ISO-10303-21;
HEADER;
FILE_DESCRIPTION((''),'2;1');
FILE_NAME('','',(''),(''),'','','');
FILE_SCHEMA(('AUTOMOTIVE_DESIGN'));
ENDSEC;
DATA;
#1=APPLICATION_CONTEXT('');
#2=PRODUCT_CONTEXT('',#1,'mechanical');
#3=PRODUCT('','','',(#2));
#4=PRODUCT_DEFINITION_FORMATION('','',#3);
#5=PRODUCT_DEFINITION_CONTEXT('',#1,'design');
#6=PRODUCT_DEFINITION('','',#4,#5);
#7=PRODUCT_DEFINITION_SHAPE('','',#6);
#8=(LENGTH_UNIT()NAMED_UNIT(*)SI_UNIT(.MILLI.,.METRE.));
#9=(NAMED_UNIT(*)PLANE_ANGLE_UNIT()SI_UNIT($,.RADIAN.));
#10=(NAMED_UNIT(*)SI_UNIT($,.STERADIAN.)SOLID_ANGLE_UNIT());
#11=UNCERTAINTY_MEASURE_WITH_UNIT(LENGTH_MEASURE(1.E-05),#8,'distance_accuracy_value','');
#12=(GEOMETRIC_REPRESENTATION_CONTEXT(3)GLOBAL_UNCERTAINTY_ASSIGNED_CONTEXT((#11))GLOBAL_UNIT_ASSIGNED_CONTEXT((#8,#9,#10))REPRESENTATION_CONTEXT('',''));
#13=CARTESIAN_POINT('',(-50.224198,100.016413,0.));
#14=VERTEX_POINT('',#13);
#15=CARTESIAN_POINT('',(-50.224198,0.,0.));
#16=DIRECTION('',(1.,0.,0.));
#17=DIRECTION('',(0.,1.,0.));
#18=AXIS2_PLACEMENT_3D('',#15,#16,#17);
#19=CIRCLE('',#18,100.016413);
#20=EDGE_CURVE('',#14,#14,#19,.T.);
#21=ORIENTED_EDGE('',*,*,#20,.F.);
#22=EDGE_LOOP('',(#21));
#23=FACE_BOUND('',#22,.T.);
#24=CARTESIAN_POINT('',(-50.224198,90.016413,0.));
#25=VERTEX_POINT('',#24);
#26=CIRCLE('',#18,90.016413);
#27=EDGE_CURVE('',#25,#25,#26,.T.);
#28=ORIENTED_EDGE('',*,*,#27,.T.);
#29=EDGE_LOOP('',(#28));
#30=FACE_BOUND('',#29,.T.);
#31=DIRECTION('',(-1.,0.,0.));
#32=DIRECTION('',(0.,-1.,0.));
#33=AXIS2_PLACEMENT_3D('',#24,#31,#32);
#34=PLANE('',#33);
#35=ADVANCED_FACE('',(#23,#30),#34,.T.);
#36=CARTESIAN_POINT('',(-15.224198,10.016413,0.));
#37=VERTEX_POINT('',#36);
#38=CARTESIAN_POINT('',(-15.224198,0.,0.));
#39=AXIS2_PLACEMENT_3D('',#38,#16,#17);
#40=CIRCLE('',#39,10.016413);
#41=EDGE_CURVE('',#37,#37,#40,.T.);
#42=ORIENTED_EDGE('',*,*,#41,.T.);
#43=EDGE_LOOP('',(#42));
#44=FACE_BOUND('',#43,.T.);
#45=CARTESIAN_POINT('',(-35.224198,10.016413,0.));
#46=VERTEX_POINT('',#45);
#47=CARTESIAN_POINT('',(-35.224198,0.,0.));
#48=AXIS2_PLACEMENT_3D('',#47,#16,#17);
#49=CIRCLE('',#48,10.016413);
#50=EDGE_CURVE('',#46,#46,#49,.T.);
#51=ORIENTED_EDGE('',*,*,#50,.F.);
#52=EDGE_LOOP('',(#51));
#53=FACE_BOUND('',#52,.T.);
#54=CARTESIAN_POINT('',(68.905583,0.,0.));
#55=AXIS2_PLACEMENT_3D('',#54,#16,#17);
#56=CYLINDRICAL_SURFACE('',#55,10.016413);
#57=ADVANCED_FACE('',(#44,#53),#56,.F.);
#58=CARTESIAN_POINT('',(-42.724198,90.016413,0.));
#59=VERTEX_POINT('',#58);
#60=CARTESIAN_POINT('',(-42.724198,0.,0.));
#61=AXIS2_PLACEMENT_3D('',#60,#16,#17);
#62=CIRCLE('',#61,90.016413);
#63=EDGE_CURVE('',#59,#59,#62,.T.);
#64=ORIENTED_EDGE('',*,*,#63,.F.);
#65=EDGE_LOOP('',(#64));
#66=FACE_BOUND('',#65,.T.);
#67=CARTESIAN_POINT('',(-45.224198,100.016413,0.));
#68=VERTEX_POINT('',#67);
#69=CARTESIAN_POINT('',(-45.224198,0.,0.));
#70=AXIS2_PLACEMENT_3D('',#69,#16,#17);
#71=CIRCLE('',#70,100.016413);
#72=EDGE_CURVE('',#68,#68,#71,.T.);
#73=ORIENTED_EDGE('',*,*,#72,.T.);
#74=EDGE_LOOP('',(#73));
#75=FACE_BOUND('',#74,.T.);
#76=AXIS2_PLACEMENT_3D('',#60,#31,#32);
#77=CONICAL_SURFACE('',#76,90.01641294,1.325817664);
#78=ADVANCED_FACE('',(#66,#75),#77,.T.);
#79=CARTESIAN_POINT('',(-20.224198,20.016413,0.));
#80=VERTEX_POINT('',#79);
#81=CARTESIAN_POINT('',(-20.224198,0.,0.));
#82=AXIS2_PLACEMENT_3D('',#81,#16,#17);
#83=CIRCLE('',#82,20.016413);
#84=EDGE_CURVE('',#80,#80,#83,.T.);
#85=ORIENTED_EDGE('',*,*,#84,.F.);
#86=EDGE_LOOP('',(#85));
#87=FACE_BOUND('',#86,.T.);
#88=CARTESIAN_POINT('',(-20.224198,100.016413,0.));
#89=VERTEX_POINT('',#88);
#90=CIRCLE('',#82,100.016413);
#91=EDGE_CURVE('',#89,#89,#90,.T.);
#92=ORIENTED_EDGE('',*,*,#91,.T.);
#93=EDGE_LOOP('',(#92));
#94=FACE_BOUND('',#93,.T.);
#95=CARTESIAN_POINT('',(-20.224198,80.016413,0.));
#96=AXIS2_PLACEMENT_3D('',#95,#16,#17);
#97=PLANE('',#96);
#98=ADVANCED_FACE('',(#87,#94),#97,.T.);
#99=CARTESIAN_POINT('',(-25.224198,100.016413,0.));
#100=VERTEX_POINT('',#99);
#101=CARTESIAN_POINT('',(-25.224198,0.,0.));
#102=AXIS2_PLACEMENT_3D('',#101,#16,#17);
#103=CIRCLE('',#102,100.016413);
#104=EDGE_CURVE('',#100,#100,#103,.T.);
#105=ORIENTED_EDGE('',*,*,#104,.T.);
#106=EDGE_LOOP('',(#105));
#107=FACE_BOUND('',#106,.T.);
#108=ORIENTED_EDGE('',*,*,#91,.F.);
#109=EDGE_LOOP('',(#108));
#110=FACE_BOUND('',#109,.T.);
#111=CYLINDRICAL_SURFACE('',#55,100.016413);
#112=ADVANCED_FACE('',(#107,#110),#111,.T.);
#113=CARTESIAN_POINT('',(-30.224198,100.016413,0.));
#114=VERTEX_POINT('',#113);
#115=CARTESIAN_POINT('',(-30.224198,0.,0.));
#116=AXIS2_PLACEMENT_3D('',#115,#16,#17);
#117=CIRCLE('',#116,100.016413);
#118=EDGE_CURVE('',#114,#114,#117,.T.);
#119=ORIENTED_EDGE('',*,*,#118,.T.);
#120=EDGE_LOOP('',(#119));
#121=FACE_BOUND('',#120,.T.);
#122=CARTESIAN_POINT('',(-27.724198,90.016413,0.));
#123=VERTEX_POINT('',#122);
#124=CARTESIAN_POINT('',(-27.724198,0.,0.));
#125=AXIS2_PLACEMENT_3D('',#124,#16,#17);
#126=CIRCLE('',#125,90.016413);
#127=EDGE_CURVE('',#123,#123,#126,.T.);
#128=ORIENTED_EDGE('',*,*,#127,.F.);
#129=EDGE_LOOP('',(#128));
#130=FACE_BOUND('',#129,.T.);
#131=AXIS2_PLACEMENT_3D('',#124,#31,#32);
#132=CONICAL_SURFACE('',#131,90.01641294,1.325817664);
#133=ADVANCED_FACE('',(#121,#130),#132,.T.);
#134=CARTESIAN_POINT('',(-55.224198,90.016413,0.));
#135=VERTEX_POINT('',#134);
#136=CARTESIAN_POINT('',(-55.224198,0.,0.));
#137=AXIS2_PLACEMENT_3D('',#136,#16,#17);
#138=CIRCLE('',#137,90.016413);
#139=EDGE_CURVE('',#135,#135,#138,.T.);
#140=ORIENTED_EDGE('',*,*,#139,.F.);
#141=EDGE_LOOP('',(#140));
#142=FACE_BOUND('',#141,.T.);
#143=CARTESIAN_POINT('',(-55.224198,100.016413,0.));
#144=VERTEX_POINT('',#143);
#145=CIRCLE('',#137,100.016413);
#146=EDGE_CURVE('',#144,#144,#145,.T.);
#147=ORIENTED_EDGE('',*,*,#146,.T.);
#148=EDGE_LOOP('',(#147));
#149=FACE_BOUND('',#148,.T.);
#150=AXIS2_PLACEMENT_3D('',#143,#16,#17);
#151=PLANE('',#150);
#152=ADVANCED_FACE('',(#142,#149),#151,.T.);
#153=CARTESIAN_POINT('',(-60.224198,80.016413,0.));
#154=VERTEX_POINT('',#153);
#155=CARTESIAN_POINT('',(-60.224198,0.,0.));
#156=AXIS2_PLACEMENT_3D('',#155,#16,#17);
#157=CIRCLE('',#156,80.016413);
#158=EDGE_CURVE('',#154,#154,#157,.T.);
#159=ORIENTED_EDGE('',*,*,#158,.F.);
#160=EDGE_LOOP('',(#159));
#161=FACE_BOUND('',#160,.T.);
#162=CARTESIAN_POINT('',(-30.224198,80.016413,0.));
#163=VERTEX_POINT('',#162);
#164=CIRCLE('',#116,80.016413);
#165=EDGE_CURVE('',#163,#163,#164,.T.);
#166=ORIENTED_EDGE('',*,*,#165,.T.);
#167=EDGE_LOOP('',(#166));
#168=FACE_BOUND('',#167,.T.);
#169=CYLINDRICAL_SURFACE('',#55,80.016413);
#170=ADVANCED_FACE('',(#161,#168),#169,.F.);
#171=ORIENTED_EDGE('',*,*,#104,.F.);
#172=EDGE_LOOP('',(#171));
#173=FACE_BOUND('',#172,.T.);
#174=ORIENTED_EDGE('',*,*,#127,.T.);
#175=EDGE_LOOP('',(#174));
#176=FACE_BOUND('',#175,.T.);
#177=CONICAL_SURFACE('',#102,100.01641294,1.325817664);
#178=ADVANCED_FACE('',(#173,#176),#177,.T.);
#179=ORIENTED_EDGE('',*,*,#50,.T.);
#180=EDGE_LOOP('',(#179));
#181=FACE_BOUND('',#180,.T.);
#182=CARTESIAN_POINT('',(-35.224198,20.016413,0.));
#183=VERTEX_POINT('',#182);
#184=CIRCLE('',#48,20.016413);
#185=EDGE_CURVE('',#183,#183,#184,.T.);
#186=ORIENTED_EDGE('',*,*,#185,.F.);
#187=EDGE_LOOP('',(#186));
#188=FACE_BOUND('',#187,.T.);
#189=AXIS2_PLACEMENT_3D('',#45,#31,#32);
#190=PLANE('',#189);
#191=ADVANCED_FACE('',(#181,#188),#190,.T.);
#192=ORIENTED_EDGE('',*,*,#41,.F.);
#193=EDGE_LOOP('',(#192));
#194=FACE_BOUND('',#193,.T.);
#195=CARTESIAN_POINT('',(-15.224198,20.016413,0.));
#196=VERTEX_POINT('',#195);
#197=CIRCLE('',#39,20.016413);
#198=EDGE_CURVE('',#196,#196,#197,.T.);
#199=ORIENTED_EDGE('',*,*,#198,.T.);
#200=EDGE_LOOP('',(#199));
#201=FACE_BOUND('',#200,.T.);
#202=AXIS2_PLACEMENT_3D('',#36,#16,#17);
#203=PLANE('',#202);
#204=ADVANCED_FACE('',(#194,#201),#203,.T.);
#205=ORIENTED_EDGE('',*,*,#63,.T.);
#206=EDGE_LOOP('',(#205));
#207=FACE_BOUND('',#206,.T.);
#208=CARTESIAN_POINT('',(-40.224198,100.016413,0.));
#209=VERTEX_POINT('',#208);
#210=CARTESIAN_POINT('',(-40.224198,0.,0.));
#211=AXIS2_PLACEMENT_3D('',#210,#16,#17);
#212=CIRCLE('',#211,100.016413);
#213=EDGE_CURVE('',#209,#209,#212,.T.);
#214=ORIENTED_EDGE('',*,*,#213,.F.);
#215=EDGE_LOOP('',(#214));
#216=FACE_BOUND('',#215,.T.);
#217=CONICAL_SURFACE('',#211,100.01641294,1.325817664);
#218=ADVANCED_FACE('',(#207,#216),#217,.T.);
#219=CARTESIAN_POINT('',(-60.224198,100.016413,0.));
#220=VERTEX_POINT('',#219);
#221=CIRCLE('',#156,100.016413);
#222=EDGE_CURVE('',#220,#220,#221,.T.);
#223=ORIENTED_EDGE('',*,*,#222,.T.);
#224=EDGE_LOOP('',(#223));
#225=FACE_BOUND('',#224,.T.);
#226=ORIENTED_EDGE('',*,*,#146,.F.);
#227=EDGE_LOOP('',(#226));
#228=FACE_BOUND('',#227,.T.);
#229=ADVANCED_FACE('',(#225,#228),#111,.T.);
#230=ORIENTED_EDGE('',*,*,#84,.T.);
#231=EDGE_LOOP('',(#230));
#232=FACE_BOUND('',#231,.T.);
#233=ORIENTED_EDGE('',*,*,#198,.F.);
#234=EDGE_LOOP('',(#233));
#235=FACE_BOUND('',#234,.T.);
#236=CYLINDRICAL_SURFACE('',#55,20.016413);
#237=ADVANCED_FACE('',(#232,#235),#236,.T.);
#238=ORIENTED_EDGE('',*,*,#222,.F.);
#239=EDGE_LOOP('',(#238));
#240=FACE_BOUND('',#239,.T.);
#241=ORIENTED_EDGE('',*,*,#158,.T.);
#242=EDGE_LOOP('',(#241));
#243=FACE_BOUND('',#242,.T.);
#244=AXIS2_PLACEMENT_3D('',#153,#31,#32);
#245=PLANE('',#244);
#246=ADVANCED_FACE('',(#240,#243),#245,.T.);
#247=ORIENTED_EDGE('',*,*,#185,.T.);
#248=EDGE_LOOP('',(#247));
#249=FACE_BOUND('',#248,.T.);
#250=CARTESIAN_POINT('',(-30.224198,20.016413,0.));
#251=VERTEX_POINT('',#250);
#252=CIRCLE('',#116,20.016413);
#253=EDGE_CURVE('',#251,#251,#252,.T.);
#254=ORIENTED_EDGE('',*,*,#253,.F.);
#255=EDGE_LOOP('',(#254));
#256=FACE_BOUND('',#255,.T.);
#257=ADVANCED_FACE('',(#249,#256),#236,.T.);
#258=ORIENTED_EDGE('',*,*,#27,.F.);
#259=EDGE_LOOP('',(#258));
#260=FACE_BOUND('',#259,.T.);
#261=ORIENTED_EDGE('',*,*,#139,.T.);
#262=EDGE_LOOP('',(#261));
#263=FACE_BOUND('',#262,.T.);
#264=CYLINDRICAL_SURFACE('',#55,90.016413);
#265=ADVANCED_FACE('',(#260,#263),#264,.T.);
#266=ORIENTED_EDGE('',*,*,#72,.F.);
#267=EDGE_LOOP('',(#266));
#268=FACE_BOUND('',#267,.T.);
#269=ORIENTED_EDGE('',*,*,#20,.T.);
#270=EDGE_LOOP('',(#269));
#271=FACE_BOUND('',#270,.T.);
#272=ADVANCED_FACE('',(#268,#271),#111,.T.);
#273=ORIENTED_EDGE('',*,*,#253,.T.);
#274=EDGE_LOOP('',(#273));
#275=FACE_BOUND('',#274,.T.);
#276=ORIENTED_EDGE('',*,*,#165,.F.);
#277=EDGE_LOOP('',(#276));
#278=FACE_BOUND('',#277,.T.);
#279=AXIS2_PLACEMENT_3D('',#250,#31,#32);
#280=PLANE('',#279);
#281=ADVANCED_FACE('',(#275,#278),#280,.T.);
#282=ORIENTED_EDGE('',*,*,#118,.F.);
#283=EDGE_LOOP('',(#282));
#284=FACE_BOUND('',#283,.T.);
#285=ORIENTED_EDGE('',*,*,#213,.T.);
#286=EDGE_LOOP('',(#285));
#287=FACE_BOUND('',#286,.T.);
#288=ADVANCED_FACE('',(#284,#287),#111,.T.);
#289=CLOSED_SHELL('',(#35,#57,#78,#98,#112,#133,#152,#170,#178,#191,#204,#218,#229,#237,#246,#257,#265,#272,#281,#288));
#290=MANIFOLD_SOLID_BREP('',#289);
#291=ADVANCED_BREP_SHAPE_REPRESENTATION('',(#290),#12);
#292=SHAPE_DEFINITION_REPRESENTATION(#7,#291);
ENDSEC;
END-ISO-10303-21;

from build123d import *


with BuildPart() as part:
    # Croquis1 → Revolución2 (revolve)
    with BuildSketch(Plane.XY):
        Polygon((-15.224198293, 10.01641294), (-35.224198293, 10.01641294), (-35.224198293, 20.01641294), (-30.224198293, 20.01641294), (-30.224198293, 80.01641294), (-50.224198293, 80.01641294), (-60.224198293, 80.01641294), (-60.224198293, 100.01641294), (-55.224198293, 100.01641294), (-55.224198293, 90.01641294), (-50.224198293, 90.01641294), (-50.224198293, 100.01641294), (-45.224198293, 100.01641294), (-42.724198293, 90.01641294), (-40.224198293, 100.01641294), (-30.224198293, 100.01641294), (-27.724198293, 90.01641294), (-25.224198293, 100.01641294), (-20.224198293, 100.01641294), (-20.224198293, 80.01641294), (-20.224198293, 20.01641294), (-15.224198293, 20.01641294), align=None)
    revolve(axis=Axis((68.905582562, 0, 0), (-1, 0, 0)))


solid = part.part
